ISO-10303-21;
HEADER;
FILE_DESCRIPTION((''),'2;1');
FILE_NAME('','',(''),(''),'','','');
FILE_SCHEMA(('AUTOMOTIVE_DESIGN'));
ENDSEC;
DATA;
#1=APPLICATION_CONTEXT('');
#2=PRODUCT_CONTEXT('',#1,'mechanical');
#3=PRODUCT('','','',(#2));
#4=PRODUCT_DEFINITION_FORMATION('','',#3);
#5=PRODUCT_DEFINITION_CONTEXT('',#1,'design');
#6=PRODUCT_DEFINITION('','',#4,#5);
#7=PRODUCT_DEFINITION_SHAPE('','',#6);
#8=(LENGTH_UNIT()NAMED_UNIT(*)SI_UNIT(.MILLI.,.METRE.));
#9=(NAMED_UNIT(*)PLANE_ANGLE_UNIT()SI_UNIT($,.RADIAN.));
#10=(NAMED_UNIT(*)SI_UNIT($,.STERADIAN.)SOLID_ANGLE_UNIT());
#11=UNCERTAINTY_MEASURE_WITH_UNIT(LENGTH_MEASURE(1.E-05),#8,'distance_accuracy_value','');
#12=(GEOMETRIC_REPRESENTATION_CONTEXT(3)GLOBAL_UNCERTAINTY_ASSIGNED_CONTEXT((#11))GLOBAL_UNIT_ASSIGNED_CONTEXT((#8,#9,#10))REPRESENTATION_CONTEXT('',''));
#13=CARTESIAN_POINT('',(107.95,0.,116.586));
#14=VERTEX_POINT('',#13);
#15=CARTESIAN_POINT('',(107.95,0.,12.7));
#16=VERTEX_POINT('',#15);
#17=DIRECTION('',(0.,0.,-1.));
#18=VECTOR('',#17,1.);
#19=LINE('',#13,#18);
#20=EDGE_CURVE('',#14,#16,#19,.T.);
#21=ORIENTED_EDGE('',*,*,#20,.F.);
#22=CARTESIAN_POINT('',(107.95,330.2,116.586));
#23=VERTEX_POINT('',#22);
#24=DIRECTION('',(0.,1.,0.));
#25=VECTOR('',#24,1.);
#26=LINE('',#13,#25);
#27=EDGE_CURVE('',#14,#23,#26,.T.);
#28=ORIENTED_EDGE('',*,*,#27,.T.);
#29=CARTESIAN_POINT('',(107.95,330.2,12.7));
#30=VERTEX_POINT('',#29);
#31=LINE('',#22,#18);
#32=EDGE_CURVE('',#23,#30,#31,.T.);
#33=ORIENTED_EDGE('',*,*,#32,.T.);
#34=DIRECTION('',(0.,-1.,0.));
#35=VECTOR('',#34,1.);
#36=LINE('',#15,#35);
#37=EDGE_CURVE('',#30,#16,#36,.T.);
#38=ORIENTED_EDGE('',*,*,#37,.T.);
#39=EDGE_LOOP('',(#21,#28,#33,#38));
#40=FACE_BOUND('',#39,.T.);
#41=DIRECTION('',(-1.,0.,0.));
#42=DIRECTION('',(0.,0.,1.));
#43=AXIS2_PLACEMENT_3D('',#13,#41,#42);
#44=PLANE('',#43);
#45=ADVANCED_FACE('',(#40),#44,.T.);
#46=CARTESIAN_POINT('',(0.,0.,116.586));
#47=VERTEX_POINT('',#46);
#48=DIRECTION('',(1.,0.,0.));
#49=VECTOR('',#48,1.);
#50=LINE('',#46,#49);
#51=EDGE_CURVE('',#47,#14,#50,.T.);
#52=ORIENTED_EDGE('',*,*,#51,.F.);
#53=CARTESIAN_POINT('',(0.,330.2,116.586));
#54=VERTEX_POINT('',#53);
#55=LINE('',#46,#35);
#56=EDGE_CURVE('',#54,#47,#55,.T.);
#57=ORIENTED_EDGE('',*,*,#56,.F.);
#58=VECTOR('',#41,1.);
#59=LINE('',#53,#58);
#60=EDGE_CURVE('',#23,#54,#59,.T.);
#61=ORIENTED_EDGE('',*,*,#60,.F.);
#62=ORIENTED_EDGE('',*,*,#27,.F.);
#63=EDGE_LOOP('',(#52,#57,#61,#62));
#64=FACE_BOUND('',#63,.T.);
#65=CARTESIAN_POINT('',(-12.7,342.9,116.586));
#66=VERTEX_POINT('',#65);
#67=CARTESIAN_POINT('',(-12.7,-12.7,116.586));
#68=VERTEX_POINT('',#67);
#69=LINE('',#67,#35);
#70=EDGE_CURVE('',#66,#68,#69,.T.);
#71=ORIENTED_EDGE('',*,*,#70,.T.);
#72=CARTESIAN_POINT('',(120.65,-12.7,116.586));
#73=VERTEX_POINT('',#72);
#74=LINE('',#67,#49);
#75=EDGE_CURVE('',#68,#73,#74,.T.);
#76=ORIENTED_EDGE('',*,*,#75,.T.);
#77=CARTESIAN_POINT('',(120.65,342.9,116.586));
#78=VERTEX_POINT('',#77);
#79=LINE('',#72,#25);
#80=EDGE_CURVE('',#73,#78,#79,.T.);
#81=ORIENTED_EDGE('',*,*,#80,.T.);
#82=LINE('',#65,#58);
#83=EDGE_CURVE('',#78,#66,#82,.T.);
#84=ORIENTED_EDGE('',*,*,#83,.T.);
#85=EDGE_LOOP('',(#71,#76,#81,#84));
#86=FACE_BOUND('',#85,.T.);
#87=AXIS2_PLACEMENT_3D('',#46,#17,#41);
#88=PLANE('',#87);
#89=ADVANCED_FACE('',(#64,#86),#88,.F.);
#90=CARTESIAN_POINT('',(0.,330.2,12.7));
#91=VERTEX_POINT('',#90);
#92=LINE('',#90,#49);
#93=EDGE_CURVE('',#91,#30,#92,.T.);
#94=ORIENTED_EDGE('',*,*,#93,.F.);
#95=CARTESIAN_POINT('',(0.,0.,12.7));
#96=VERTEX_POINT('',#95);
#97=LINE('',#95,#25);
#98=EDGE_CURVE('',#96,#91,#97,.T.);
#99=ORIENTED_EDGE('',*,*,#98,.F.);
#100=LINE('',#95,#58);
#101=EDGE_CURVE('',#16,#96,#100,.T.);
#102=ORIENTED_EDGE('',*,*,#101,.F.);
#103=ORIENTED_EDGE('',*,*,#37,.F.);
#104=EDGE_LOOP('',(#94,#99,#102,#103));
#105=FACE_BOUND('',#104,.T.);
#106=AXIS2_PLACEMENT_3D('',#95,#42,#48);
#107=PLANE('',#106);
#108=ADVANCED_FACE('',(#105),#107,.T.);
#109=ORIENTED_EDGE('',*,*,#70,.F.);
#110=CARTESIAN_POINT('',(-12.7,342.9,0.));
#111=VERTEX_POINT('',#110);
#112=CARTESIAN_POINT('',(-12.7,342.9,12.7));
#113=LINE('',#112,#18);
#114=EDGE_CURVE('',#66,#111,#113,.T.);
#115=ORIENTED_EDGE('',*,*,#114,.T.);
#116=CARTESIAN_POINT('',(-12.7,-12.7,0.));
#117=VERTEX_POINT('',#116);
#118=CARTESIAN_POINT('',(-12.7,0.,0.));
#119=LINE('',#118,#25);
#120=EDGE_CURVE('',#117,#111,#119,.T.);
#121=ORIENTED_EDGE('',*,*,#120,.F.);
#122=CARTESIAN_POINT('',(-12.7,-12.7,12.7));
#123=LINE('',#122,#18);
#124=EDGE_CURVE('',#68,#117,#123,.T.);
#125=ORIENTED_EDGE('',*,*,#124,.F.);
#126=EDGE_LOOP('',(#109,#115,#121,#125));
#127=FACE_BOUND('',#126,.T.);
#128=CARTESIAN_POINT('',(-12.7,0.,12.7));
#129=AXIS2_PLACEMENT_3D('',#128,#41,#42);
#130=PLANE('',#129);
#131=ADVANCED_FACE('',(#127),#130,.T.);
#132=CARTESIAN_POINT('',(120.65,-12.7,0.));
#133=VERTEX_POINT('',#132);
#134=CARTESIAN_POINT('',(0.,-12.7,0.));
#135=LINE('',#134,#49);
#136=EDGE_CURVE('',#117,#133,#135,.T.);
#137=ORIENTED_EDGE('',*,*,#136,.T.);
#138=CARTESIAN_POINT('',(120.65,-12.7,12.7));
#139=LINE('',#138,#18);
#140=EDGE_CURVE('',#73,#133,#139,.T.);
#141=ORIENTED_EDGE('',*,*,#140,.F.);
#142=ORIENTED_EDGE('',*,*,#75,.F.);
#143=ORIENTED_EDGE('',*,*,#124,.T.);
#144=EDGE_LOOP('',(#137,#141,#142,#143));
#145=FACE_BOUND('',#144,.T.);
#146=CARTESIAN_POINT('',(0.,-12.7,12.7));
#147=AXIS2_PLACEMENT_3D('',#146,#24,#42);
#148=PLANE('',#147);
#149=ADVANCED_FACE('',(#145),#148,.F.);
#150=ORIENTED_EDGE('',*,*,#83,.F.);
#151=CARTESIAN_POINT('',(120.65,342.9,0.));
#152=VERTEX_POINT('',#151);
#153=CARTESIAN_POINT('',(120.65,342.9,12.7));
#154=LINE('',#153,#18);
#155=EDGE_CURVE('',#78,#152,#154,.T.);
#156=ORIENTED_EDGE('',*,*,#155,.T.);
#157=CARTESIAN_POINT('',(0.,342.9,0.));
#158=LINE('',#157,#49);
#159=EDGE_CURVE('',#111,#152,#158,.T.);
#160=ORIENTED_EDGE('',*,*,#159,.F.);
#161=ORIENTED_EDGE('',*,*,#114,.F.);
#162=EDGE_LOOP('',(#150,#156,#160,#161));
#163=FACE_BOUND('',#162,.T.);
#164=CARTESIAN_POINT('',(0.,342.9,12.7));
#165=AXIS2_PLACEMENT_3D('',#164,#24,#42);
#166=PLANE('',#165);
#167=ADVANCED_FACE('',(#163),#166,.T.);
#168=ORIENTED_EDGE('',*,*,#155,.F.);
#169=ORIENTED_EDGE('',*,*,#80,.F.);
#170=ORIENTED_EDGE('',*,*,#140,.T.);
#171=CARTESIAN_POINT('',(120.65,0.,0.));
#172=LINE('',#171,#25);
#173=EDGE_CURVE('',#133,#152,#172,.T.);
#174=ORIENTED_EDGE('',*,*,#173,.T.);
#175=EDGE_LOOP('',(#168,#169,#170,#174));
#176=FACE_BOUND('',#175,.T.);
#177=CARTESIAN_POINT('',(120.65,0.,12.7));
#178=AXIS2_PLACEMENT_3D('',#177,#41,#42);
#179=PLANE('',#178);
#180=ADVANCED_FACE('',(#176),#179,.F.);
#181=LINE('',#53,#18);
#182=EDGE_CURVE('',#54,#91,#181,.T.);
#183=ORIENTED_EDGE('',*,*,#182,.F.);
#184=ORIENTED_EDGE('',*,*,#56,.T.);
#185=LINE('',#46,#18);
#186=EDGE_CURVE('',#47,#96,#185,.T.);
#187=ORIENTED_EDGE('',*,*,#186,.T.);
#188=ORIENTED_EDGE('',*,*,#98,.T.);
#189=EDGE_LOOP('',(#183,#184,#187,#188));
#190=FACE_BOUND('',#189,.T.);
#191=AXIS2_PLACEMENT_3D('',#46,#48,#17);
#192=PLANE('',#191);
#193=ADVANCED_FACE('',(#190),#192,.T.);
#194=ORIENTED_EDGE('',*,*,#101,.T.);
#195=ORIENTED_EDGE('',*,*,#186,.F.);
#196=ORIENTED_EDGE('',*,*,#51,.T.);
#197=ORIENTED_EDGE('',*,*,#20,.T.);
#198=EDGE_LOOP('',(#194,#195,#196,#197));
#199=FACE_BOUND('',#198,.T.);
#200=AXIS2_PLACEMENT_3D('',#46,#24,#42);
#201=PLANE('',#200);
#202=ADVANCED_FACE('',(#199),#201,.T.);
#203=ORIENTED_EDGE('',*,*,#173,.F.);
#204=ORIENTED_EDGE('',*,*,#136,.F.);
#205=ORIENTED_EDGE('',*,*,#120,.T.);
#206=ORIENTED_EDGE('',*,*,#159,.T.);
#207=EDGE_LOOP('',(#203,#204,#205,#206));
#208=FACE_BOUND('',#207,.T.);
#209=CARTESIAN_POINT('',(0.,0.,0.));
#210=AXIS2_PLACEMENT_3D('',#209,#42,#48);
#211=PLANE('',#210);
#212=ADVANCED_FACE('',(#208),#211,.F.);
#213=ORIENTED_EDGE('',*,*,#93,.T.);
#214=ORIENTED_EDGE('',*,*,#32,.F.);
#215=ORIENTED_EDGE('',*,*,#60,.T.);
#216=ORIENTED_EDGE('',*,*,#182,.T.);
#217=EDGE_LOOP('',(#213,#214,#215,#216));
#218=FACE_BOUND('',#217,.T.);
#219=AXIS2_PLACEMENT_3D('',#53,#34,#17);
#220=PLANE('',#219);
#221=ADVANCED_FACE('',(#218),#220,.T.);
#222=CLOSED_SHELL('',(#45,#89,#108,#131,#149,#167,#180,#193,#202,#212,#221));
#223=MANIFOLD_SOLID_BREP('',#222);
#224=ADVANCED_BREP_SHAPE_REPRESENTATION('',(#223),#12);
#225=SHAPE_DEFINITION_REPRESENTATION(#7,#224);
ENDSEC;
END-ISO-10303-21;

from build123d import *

# Parameters (mm, degrees)
SKETCH1_W           = 133.35
SKETCH1_H           = 355.6
BOSS_EXTRUDE1_DEPTH = 12.7
SKETCH1_3_W         = 133.35
SKETCH1_3_H         = 355.6
SKETCH1_3_W_2       = 107.95
SKETCH1_3_H_2       = 330.2
BOSS_EXTRUDE2_DEPTH = 116.586


with BuildPart() as part:
    # Sketch1 → Boss-Extrude1 (new body)
    with BuildSketch(Plane.XY):
        with Locations((53.975, 165.1)):
            Rectangle(SKETCH1_W, SKETCH1_H)
    extrude(amount=BOSS_EXTRUDE1_DEPTH)

    # Sketch1<3> → Boss-Extrude2 (add)
    with BuildSketch(Plane.XY):
        with Locations((53.975, 165.1)):
            Rectangle(SKETCH1_3_W, SKETCH1_3_H)
        with Locations((53.975, 165.1)):
            Rectangle(SKETCH1_3_W_2, SKETCH1_3_H_2, mode=Mode.SUBTRACT)
    extrude(amount=BOSS_EXTRUDE2_DEPTH)


solid = part.part
